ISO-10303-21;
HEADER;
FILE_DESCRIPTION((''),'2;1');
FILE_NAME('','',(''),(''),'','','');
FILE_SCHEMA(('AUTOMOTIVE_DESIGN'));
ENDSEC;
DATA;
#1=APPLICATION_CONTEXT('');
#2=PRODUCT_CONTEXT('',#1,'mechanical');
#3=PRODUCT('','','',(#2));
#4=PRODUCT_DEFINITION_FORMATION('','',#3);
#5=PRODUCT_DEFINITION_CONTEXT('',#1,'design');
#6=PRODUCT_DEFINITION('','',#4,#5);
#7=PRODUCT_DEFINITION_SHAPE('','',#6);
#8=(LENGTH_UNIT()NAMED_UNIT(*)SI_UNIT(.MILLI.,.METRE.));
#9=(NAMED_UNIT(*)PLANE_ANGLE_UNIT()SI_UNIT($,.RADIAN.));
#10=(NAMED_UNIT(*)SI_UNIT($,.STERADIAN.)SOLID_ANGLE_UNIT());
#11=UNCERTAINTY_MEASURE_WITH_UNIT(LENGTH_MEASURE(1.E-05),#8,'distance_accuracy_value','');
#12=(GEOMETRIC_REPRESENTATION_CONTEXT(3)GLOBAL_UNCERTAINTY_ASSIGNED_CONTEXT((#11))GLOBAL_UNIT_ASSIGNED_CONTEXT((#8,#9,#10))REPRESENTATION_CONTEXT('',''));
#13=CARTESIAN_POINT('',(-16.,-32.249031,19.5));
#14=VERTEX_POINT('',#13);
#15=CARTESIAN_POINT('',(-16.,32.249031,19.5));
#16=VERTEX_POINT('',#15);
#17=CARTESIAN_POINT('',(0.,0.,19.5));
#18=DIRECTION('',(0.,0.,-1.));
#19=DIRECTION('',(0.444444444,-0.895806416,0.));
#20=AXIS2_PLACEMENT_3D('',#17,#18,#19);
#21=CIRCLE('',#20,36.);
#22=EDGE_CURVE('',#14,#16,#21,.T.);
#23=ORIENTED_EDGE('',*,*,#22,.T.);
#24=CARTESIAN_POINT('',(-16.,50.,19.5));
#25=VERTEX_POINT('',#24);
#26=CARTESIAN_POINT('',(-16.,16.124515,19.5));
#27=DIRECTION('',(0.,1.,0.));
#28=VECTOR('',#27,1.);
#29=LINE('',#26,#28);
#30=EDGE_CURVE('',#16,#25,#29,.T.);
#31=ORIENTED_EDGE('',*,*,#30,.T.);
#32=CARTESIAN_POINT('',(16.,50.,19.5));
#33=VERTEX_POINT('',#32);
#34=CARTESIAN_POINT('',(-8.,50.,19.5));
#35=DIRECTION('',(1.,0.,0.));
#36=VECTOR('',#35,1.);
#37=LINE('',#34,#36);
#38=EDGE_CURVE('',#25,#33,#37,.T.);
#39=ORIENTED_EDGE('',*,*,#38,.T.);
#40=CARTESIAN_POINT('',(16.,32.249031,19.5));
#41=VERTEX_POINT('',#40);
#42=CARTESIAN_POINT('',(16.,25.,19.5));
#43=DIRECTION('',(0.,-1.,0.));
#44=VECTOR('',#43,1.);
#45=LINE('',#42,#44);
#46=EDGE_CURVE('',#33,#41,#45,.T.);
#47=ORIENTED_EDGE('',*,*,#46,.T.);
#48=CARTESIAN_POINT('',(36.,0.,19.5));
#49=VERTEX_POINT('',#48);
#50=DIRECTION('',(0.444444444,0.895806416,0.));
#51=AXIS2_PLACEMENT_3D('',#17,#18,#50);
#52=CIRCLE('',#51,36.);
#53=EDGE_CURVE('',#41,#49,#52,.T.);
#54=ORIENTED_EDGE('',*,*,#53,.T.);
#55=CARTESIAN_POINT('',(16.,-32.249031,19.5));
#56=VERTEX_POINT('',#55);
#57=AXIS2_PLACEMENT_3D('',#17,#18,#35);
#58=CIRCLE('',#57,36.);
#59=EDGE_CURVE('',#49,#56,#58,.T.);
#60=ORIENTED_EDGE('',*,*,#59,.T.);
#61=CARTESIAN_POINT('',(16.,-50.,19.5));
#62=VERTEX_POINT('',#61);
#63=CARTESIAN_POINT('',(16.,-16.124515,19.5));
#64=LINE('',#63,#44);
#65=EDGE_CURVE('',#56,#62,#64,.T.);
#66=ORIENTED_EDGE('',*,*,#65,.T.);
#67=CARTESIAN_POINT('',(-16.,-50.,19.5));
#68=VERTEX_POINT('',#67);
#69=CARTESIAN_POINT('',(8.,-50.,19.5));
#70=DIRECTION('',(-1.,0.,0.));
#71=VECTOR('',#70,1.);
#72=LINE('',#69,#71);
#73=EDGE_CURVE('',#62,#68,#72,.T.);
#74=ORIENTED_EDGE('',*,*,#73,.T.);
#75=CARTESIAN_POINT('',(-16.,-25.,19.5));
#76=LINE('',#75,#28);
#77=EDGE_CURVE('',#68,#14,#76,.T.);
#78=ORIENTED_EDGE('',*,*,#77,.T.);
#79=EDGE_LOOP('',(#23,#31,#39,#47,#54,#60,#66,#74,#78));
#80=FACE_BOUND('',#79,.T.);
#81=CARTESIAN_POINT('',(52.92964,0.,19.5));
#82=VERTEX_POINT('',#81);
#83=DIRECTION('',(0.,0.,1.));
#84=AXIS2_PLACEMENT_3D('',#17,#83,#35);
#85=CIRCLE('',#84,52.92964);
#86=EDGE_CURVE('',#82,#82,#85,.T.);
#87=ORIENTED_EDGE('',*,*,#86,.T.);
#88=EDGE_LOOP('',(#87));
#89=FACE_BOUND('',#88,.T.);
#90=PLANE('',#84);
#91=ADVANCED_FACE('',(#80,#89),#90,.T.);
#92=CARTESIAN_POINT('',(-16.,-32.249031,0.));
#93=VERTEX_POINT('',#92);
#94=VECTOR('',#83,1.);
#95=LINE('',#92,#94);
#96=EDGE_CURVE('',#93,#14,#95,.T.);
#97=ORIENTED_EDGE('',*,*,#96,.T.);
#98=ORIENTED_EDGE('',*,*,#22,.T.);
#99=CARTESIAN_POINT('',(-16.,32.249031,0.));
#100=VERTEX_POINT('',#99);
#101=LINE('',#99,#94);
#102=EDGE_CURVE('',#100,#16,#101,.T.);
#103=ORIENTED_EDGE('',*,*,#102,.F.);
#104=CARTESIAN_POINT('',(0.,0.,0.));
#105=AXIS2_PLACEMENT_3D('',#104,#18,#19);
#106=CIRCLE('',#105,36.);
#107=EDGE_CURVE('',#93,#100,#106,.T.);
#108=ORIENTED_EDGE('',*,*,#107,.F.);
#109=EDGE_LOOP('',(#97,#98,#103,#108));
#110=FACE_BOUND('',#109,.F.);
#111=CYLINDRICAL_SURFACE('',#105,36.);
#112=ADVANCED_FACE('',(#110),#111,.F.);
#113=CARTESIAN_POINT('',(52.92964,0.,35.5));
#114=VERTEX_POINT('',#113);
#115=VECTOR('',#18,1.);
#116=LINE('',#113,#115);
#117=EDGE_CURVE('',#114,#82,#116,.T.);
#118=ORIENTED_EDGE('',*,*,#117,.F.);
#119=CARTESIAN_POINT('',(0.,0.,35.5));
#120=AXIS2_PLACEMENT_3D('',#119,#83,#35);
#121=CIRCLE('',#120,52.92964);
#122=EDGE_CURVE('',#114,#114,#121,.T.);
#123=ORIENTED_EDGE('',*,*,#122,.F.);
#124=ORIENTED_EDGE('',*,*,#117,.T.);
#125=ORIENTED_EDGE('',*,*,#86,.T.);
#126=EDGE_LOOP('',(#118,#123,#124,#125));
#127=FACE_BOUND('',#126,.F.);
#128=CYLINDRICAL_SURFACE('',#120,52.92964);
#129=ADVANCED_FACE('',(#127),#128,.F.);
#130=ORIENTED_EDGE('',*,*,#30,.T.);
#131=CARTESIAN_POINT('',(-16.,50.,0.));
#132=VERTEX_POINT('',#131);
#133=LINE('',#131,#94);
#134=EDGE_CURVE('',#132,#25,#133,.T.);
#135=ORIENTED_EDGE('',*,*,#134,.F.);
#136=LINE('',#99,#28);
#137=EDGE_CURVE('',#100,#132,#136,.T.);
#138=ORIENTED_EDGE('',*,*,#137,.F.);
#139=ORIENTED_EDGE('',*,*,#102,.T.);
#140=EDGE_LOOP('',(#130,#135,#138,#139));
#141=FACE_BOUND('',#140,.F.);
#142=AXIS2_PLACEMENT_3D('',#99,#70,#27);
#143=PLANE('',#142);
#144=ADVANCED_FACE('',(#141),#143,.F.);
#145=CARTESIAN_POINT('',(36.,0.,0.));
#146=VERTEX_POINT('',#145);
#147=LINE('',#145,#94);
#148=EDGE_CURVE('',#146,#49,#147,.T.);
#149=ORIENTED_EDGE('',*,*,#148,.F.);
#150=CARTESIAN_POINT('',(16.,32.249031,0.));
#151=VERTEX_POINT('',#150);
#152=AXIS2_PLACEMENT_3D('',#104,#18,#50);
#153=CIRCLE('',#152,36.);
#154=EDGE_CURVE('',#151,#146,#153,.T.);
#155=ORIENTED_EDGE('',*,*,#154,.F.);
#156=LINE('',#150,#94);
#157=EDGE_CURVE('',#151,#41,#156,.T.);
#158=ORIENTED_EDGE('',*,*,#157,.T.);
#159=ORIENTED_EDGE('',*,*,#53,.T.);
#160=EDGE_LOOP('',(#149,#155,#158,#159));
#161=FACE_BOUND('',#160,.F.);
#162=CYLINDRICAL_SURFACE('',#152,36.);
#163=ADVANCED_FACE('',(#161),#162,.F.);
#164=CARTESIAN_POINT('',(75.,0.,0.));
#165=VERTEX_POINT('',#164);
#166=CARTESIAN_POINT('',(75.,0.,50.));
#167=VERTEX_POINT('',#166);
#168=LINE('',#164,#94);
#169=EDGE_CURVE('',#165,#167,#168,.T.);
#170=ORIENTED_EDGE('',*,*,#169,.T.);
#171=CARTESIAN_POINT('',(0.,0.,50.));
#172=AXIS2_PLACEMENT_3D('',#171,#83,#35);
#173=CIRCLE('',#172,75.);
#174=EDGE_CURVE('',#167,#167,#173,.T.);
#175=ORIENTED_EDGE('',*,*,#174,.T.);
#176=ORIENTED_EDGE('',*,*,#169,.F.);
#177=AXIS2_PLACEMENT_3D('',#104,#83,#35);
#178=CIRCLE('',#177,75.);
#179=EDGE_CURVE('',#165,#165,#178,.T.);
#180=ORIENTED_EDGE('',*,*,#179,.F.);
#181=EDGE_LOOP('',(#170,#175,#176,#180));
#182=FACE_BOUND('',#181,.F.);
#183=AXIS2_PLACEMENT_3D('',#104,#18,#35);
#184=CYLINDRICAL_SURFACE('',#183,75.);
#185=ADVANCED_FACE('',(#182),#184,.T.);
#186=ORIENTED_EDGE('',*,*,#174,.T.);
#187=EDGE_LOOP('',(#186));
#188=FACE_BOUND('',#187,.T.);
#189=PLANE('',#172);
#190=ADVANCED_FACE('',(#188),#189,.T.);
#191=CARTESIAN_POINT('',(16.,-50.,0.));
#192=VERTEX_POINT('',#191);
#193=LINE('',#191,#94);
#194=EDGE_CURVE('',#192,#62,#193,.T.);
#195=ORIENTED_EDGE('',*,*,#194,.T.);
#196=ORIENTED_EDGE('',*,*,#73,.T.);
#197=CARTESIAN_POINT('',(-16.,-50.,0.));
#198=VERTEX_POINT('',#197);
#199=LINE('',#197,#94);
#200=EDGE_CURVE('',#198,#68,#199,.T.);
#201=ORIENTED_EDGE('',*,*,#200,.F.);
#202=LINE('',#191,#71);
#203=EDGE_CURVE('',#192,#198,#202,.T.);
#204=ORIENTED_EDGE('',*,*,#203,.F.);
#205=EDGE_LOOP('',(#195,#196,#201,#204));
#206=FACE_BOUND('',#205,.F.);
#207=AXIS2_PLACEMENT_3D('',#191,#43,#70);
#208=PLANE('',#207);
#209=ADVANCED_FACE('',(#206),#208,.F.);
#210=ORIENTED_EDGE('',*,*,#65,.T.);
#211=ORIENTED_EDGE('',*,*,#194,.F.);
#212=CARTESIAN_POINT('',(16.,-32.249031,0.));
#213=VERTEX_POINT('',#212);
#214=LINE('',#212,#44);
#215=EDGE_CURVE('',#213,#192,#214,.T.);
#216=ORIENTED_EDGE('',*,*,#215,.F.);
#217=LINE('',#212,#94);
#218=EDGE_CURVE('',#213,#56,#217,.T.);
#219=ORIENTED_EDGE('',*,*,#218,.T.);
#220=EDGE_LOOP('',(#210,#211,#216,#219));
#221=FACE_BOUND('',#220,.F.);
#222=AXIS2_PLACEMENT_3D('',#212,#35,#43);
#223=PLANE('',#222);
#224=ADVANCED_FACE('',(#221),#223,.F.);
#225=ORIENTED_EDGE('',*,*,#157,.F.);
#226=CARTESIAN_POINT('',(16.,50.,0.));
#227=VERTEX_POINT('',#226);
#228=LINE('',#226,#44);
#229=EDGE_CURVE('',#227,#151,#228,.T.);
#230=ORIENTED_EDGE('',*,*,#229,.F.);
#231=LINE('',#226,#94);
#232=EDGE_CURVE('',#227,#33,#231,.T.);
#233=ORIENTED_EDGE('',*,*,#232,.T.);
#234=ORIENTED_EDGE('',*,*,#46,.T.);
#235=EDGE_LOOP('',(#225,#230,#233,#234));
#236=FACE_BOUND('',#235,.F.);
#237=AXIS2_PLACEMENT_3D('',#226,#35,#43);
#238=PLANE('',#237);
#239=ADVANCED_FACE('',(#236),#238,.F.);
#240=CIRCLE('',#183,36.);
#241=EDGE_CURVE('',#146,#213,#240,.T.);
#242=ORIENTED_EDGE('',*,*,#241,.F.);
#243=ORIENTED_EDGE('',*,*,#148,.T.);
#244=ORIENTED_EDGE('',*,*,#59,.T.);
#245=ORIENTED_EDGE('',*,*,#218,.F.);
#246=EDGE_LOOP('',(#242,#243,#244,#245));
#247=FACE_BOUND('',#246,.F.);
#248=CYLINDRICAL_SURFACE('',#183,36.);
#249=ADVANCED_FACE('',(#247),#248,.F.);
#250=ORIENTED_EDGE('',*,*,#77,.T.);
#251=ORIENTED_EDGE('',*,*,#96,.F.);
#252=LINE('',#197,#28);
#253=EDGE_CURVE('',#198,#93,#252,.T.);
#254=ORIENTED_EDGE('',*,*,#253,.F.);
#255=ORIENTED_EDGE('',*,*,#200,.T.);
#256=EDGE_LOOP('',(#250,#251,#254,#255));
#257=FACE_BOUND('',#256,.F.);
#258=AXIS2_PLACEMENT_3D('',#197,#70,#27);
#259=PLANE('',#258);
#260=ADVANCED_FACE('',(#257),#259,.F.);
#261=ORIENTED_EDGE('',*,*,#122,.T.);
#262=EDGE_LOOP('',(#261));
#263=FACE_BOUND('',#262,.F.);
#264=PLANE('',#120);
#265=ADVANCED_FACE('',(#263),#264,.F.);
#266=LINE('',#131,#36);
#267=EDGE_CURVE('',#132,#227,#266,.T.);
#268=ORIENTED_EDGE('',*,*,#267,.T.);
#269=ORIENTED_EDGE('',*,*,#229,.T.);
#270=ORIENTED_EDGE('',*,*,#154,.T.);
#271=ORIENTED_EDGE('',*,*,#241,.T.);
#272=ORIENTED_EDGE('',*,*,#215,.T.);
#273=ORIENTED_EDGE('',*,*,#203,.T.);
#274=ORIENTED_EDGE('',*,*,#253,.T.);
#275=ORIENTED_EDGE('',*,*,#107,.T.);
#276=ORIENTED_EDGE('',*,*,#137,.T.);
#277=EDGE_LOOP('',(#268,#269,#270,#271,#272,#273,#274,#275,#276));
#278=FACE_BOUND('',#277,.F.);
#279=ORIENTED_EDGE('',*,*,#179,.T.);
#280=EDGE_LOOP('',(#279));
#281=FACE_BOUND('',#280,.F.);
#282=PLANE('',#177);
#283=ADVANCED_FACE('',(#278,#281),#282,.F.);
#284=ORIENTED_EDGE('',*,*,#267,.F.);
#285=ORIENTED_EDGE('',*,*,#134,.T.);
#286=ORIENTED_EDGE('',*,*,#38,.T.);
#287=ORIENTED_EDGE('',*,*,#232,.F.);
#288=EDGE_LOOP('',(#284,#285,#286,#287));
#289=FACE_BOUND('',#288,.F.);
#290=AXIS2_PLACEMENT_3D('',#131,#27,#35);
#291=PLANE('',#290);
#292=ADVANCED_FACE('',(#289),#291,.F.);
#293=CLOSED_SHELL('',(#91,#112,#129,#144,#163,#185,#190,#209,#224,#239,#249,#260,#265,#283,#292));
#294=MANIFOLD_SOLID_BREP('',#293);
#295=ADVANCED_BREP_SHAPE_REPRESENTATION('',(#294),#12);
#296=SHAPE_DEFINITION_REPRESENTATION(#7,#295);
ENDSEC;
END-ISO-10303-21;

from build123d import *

# Parameters (mm, degrees)
F0_R     = 75
F1_DEPTH = 50
F3_DEPTH = 35.5
F5_R     = 52.9296402023
F6_DEPTH = 16


with BuildPart() as f1:
    # F0 (on Top) → F1 (new body)
    with BuildSketch(Plane.XY):
        Circle(F0_R)
    extrude(amount=F1_DEPTH)

    # F2 (on face) → F3 (cut)
    with BuildSketch(Plane(origin=(0, 0, 0), x_dir=(1, 0, 0), z_dir=(0, 0, -1))):
        with BuildLine():
            ThreePointArc((16, -32.2490309932), (30.5941170816, -18.973665961), (36, 0))
            ThreePointArc((36, 0), (30.5941170816, 18.973665961), (16, 32.2490309932))
            Line((16, 32.2490309932), (16, 28.5))
            Line((16, 28.5), (-16, 28.5))
            Line((-16, 28.5), (-16, 32.2490309932))
            ThreePointArc((-16, 32.2490309932), (-36, 0), (-16, -32.2490309932))
            Line((-16, -32.2490309932), (-16, -28.5))
            Line((-16, -28.5), (16, -28.5))
            Line((16, -28.5), (16, -32.2490309932))
        make_face()
        with BuildLine():
            Line((16, 28.5), (16, 32.2490309932))
            ThreePointArc((16, 32.2490309932), (0, 36), (-16, 32.2490309932))
            Line((-16, 32.2490309932), (-16, 28.5))
            Line((-16, 28.5), (16, 28.5))
        make_face()
        with BuildLine():
            ThreePointArc((-16, 32.2490309932), (0, 36), (16, 32.2490309932))
            Line((16, 32.2490309932), (16, 50))
            Line((16, 50), (-16, 50))
            Line((-16, 50), (-16, 32.2490309932))
        make_face()
        with BuildLine():
            Line((16, -50), (16, -32.2490309932))
            ThreePointArc((16, -32.2490309932), (0, -36), (-16, -32.2490309932))
            Line((-16, -32.2490309932), (-16, -50))
            Line((-16, -50), (16, -50))
        make_face()
        with BuildLine():
            ThreePointArc((-16, -32.2490309932), (0, -36), (16, -32.2490309932))
            Line((16, -32.2490309932), (16, -28.5))
            Line((16, -28.5), (-16, -28.5))
            Line((-16, -28.5), (-16, -32.2490309932))
        make_face()
    extrude(amount=-F3_DEPTH, mode=Mode.SUBTRACT)

    # F5 (on offset) → F6 (cut)
    with BuildSketch(Plane.XY.offset(35.5)):
        Circle(F5_R)
    extrude(amount=-F6_DEPTH, mode=Mode.SUBTRACT)


solid = f1.part
